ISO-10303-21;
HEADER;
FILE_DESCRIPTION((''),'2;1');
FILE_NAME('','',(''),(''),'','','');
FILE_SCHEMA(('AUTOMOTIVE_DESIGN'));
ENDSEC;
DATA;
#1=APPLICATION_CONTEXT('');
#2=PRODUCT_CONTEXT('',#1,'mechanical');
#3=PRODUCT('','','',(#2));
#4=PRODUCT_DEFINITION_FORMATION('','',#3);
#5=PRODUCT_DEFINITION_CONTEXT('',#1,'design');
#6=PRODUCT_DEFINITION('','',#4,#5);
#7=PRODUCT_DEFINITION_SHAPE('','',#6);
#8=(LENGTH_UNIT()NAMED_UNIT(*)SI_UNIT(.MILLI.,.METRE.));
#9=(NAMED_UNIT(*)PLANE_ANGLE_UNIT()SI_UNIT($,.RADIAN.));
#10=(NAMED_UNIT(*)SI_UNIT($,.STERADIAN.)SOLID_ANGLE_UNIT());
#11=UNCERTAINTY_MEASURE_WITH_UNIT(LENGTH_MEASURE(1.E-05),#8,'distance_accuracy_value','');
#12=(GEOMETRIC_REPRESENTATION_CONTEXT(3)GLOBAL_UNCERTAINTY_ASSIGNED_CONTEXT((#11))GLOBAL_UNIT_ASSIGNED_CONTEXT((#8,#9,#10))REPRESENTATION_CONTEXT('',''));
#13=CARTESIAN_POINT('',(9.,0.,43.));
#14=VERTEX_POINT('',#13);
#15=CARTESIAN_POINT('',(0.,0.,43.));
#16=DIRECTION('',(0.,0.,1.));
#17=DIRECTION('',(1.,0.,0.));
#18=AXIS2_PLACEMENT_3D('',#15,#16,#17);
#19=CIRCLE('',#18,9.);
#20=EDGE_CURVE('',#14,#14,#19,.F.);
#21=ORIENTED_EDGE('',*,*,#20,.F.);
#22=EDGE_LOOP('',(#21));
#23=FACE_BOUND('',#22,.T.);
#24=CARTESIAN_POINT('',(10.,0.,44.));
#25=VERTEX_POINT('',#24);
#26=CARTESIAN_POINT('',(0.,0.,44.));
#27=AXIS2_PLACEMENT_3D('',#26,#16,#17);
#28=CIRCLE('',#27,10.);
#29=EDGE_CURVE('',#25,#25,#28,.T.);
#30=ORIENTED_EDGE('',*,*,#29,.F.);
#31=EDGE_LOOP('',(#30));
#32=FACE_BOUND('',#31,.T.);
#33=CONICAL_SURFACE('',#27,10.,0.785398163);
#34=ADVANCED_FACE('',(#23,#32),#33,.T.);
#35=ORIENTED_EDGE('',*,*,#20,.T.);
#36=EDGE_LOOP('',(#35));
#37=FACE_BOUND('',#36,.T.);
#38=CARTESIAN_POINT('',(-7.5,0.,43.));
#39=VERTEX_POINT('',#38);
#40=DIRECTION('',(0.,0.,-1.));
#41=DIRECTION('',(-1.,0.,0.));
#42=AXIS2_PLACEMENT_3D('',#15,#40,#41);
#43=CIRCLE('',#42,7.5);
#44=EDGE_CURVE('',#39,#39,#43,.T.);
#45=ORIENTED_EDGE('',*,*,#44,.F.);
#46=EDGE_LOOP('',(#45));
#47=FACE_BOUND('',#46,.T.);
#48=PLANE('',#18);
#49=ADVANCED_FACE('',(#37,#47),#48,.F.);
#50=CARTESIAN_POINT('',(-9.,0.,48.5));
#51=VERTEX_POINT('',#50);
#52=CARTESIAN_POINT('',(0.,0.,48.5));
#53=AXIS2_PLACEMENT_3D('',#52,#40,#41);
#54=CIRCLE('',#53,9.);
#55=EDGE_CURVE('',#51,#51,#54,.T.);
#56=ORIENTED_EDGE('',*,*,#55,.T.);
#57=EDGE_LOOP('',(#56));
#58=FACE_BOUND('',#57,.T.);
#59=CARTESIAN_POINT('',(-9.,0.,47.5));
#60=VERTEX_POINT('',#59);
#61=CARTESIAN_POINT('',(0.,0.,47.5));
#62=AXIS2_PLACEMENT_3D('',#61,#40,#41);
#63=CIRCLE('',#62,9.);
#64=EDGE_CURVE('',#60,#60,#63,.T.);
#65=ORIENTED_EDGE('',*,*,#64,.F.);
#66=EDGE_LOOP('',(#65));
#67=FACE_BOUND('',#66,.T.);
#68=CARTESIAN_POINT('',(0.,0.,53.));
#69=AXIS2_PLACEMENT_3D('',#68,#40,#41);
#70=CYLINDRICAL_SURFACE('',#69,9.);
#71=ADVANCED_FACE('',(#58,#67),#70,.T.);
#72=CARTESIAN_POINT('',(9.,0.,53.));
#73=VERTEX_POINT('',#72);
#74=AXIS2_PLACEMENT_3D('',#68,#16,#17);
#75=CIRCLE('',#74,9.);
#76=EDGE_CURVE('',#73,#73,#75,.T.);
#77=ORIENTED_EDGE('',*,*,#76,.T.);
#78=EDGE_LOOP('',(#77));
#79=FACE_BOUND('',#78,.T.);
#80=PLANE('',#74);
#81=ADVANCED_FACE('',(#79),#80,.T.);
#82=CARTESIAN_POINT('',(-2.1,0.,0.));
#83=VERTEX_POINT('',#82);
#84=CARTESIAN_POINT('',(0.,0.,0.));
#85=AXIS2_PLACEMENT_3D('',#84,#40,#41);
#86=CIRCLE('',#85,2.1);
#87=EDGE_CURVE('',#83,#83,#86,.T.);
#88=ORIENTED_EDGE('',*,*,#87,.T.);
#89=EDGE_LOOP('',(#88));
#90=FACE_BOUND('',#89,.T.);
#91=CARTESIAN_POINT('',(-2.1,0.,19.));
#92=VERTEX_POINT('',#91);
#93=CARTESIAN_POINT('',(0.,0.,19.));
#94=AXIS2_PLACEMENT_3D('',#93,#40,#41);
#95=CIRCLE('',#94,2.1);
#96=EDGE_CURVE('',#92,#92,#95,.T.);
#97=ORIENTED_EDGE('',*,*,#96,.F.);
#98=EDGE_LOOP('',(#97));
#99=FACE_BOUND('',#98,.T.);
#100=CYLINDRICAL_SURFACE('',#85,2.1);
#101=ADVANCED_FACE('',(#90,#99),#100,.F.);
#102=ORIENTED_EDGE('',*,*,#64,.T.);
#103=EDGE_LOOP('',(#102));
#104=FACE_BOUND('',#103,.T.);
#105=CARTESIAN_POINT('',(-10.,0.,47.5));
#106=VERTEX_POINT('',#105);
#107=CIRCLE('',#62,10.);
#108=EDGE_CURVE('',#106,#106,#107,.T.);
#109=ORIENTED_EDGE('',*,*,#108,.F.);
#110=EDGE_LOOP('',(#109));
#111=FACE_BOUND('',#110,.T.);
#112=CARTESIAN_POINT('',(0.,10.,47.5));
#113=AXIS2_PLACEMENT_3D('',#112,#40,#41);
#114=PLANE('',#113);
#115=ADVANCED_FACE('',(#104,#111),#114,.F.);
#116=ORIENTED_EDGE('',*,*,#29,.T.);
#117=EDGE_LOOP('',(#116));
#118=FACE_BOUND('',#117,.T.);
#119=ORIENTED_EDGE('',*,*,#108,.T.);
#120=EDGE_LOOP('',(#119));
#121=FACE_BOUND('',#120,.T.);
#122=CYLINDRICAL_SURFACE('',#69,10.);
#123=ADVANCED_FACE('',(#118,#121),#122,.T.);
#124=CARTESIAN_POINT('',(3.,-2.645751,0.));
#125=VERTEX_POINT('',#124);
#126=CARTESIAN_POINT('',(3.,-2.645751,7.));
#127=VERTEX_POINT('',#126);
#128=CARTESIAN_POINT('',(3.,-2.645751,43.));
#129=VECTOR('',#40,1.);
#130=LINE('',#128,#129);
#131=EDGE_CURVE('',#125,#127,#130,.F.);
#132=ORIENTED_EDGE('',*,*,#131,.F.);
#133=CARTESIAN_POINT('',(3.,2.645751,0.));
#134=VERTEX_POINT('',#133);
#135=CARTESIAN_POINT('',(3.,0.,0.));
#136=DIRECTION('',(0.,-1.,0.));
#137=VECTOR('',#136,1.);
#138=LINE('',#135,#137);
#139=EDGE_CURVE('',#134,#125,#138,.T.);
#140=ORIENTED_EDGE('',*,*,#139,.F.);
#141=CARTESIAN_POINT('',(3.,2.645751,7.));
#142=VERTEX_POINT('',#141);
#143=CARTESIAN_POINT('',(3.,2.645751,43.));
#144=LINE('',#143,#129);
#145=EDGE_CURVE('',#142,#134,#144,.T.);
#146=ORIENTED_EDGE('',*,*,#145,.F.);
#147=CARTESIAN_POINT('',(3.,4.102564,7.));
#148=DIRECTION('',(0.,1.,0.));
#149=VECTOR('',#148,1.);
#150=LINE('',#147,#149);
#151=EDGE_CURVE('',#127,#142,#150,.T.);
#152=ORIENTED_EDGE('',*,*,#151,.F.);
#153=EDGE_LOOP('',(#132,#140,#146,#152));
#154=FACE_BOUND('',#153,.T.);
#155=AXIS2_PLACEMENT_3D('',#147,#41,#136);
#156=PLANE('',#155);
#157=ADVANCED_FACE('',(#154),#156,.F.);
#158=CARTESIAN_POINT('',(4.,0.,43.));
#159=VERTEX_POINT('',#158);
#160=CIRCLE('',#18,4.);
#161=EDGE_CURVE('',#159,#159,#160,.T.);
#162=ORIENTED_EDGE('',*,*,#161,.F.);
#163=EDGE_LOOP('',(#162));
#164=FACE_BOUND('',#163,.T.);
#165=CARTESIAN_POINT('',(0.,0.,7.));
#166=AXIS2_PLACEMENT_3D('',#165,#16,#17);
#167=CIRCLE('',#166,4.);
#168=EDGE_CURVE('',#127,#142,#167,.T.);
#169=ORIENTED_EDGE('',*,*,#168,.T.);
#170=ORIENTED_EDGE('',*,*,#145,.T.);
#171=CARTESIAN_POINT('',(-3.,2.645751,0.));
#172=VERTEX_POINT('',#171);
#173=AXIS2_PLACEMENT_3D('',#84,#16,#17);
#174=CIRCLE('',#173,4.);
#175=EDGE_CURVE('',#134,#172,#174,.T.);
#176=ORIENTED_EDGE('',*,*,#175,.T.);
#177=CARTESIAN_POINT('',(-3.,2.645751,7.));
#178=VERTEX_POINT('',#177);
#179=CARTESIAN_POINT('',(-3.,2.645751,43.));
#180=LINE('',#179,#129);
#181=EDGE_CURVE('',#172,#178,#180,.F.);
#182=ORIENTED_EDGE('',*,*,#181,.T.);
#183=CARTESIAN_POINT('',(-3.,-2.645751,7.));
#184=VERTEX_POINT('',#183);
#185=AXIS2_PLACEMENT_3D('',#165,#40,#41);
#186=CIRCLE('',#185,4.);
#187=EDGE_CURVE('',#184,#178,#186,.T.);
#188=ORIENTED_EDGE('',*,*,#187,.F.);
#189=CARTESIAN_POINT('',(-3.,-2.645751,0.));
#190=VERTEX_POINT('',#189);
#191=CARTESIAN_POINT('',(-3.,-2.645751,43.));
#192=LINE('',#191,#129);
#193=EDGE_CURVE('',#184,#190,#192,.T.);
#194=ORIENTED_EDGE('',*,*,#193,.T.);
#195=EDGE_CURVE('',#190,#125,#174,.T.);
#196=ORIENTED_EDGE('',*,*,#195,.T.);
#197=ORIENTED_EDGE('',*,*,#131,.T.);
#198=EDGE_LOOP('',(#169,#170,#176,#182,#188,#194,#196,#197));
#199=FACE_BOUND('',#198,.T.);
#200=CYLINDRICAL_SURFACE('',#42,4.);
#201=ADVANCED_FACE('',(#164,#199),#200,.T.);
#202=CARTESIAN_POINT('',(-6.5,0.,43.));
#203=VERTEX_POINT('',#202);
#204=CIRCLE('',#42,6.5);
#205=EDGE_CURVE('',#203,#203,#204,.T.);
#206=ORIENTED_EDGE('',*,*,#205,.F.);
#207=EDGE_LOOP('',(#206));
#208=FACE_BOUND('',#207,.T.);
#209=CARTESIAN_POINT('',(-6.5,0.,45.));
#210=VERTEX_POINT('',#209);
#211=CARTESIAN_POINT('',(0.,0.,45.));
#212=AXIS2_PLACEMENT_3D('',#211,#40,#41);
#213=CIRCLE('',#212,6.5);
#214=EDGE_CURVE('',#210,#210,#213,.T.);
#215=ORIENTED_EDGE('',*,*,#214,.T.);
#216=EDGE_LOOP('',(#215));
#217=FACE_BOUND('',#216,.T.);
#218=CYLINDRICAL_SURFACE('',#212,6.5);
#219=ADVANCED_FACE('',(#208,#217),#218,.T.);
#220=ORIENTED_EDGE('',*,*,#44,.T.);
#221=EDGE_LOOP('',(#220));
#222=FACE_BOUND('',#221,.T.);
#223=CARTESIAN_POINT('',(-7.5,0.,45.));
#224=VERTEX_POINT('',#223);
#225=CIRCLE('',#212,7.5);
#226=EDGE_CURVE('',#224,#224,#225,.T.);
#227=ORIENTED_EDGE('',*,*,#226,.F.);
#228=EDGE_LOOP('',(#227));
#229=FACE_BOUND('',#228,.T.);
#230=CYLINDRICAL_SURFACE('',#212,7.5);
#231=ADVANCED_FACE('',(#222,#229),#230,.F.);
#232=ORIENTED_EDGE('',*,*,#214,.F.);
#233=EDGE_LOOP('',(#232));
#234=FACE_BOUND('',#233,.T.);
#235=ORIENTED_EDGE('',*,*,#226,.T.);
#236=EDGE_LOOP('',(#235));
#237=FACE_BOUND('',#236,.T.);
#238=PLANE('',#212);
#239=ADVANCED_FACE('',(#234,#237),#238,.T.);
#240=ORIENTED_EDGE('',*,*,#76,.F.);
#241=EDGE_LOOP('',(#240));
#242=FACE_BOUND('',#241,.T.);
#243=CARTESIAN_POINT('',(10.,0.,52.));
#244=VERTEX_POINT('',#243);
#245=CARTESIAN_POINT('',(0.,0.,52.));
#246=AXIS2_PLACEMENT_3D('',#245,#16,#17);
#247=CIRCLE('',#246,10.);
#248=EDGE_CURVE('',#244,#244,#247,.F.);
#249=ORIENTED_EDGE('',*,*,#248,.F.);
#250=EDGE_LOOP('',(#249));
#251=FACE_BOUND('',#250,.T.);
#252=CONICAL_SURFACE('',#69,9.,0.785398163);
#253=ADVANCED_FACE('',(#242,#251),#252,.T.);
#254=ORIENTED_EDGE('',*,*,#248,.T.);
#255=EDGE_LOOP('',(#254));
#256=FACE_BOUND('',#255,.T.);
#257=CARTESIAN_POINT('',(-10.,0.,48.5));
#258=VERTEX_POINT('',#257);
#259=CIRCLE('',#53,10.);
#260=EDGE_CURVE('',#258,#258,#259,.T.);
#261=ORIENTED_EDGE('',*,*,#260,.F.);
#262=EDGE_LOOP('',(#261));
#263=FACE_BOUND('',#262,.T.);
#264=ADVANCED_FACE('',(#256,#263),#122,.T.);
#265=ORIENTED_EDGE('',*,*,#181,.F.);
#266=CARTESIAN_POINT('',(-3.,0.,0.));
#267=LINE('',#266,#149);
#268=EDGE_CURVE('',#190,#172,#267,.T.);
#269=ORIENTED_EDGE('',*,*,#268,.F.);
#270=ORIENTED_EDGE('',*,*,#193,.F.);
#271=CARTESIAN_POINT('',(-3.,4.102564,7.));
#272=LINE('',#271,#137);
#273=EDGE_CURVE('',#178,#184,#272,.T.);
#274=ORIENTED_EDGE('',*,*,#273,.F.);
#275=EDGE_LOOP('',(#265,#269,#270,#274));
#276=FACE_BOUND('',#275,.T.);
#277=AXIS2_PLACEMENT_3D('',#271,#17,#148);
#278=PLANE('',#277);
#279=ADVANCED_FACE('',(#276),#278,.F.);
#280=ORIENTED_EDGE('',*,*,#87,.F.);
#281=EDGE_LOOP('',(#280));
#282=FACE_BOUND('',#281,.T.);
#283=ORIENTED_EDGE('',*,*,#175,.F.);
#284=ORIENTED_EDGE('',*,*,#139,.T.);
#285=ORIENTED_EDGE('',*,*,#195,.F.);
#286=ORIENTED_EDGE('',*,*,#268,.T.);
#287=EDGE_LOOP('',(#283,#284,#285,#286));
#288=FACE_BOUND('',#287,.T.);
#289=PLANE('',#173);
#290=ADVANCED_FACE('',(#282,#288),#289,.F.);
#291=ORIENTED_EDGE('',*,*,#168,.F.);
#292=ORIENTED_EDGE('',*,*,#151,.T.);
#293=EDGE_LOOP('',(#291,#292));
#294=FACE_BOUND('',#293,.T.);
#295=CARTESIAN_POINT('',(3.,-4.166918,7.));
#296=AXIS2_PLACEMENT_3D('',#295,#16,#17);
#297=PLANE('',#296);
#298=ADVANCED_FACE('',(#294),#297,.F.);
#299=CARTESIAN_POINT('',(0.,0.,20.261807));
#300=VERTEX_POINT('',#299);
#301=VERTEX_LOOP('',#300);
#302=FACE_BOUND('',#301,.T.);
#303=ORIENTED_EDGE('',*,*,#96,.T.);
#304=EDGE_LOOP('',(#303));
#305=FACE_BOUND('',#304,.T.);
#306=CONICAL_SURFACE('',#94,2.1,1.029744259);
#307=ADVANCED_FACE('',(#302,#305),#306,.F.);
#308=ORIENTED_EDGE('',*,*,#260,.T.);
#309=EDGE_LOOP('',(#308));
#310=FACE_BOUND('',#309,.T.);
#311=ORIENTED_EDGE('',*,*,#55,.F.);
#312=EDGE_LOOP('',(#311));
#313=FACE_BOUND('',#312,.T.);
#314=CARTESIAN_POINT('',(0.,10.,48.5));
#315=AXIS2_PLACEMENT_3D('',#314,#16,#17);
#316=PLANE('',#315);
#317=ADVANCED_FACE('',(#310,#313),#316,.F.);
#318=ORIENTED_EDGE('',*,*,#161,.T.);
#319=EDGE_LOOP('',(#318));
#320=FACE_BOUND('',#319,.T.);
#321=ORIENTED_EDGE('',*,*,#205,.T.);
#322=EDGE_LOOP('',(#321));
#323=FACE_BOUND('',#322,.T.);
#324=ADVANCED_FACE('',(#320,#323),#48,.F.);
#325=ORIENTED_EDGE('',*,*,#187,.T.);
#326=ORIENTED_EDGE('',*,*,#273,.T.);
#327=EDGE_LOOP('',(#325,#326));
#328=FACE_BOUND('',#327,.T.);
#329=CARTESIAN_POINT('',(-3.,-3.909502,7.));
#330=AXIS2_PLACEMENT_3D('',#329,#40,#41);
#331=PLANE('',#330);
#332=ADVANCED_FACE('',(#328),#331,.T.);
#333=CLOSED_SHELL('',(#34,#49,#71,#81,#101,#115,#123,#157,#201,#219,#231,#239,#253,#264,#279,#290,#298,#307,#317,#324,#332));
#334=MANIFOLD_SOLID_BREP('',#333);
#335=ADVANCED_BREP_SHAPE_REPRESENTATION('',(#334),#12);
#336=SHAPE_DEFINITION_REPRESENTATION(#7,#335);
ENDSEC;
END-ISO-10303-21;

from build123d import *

# Parameters (mm, degrees)
ESQUISSE1_R               = 4
BASE_EXTRUSION_DEPTH      = 43
ESQUISSE2_R               = 10
BOSS_EXTRU_1_DEPTH        = 10
ESQUISSE4_W               = 3.314228255
ESQUISSE4_H               = 8.012066365
ESQUISSE4_W_2             = 3.056812469
ESQUISSE4_H_2             = 8.269482152
ENL_V_MAT_EXTRU_1_DEPTH   = 7
CHANFREIN2_SIZE           = 1
ESQUISSE6_W               = 1
ESQUISSE6_H               = 1
TROU_TARAUD_M5X0_81_D     = 4.2
TROU_TARAUD_M5X0_81_DEPTH = 19
TROU_TARAUD_M5X0_81_TIP   = 1.2618073
ESQUISSE10_R              = 7.5
ESQUISSE10_R_2            = 6.5
ENL_V_MAT_EXTRU_2_DEPTH   = 2


with BuildPart() as part:
    # Esquisse1 → Base-Extrusion (new body)
    with BuildSketch(Plane.XY):
        Circle(ESQUISSE1_R)
    extrude(amount=BASE_EXTRUSION_DEPTH)

    # Esquisse2 → Boss.-Extru.1 (add)
    with BuildSketch(Plane.XY.offset(43)):
        Circle(ESQUISSE2_R)
    extrude(amount=BOSS_EXTRU_1_DEPTH)

    # Esquisse4 → Enlèv. mat.-Extru.1 (cut)
    with BuildSketch(Plane(origin=(0, 0, 0), x_dir=(-1, 0, 0), z_dir=(0, 0, -1))):
        with Locations((4.657114127, 0.096530921)):
            Rectangle(ESQUISSE4_W, ESQUISSE4_H)
        with Locations((-4.528406235, -0.032176973)):
            Rectangle(ESQUISSE4_W_2, ESQUISSE4_H_2)
    extrude(amount=-ENL_V_MAT_EXTRU_1_DEPTH, mode=Mode.SUBTRACT)

    # Chanfrein2
    chanfrein2_edges = [part.edges().sort_by_distance(p)[0] for p in [
        (-10, 0, 43),
        (-10, 0, 53),
    ]]
    chamfer(chanfrein2_edges, length=CHANFREIN2_SIZE)

    # Esquisse6 → Enlèvement de matière-Révolution2 (revolve, cut)
    with BuildSketch(Plane(origin=(0, 0, 0), x_dir=(0, 0, -1), z_dir=(1, 0, 0)), mode=Mode.PRIVATE) as enl_vement_de_mati_re_r_volution2_sk:
        with Locations((-48, 9.5)):
            Rectangle(ESQUISSE6_W, ESQUISSE6_H)
    revolve(enl_vement_de_mati_re_r_volution2_sk.sketch.rotate(Axis((0, 0, 53), (0, 0, 1)), 90), axis=Axis((0, 0, 53), (0, 0, 1)), mode=Mode.SUBTRACT)

    # Trou taraudé M5x0.81
    with Locations(Plane(origin=(0, 0, 0), x_dir=(-1, 0, 0), z_dir=(0, 0, -1))):
        with Locations((0, 0)):
            Hole(TROU_TARAUD_M5X0_81_D / 2, depth=TROU_TARAUD_M5X0_81_DEPTH)
            with Locations((0, 0, -(TROU_TARAUD_M5X0_81_DEPTH + TROU_TARAUD_M5X0_81_TIP / 2))):  # 118° drill point
                Cone(0, TROU_TARAUD_M5X0_81_D / 2, TROU_TARAUD_M5X0_81_TIP, mode=Mode.SUBTRACT)

    # Esquisse10 → Enlèv. mat.-Extru.2 (cut)
    with BuildSketch(Plane(origin=(0, 0, 43), x_dir=(-1, 0, 0), z_dir=(0, 0, -1))):
        Circle(ESQUISSE10_R)
        Circle(ESQUISSE10_R_2, mode=Mode.SUBTRACT)
    extrude(amount=-ENL_V_MAT_EXTRU_2_DEPTH, mode=Mode.SUBTRACT)


solid = part.part
